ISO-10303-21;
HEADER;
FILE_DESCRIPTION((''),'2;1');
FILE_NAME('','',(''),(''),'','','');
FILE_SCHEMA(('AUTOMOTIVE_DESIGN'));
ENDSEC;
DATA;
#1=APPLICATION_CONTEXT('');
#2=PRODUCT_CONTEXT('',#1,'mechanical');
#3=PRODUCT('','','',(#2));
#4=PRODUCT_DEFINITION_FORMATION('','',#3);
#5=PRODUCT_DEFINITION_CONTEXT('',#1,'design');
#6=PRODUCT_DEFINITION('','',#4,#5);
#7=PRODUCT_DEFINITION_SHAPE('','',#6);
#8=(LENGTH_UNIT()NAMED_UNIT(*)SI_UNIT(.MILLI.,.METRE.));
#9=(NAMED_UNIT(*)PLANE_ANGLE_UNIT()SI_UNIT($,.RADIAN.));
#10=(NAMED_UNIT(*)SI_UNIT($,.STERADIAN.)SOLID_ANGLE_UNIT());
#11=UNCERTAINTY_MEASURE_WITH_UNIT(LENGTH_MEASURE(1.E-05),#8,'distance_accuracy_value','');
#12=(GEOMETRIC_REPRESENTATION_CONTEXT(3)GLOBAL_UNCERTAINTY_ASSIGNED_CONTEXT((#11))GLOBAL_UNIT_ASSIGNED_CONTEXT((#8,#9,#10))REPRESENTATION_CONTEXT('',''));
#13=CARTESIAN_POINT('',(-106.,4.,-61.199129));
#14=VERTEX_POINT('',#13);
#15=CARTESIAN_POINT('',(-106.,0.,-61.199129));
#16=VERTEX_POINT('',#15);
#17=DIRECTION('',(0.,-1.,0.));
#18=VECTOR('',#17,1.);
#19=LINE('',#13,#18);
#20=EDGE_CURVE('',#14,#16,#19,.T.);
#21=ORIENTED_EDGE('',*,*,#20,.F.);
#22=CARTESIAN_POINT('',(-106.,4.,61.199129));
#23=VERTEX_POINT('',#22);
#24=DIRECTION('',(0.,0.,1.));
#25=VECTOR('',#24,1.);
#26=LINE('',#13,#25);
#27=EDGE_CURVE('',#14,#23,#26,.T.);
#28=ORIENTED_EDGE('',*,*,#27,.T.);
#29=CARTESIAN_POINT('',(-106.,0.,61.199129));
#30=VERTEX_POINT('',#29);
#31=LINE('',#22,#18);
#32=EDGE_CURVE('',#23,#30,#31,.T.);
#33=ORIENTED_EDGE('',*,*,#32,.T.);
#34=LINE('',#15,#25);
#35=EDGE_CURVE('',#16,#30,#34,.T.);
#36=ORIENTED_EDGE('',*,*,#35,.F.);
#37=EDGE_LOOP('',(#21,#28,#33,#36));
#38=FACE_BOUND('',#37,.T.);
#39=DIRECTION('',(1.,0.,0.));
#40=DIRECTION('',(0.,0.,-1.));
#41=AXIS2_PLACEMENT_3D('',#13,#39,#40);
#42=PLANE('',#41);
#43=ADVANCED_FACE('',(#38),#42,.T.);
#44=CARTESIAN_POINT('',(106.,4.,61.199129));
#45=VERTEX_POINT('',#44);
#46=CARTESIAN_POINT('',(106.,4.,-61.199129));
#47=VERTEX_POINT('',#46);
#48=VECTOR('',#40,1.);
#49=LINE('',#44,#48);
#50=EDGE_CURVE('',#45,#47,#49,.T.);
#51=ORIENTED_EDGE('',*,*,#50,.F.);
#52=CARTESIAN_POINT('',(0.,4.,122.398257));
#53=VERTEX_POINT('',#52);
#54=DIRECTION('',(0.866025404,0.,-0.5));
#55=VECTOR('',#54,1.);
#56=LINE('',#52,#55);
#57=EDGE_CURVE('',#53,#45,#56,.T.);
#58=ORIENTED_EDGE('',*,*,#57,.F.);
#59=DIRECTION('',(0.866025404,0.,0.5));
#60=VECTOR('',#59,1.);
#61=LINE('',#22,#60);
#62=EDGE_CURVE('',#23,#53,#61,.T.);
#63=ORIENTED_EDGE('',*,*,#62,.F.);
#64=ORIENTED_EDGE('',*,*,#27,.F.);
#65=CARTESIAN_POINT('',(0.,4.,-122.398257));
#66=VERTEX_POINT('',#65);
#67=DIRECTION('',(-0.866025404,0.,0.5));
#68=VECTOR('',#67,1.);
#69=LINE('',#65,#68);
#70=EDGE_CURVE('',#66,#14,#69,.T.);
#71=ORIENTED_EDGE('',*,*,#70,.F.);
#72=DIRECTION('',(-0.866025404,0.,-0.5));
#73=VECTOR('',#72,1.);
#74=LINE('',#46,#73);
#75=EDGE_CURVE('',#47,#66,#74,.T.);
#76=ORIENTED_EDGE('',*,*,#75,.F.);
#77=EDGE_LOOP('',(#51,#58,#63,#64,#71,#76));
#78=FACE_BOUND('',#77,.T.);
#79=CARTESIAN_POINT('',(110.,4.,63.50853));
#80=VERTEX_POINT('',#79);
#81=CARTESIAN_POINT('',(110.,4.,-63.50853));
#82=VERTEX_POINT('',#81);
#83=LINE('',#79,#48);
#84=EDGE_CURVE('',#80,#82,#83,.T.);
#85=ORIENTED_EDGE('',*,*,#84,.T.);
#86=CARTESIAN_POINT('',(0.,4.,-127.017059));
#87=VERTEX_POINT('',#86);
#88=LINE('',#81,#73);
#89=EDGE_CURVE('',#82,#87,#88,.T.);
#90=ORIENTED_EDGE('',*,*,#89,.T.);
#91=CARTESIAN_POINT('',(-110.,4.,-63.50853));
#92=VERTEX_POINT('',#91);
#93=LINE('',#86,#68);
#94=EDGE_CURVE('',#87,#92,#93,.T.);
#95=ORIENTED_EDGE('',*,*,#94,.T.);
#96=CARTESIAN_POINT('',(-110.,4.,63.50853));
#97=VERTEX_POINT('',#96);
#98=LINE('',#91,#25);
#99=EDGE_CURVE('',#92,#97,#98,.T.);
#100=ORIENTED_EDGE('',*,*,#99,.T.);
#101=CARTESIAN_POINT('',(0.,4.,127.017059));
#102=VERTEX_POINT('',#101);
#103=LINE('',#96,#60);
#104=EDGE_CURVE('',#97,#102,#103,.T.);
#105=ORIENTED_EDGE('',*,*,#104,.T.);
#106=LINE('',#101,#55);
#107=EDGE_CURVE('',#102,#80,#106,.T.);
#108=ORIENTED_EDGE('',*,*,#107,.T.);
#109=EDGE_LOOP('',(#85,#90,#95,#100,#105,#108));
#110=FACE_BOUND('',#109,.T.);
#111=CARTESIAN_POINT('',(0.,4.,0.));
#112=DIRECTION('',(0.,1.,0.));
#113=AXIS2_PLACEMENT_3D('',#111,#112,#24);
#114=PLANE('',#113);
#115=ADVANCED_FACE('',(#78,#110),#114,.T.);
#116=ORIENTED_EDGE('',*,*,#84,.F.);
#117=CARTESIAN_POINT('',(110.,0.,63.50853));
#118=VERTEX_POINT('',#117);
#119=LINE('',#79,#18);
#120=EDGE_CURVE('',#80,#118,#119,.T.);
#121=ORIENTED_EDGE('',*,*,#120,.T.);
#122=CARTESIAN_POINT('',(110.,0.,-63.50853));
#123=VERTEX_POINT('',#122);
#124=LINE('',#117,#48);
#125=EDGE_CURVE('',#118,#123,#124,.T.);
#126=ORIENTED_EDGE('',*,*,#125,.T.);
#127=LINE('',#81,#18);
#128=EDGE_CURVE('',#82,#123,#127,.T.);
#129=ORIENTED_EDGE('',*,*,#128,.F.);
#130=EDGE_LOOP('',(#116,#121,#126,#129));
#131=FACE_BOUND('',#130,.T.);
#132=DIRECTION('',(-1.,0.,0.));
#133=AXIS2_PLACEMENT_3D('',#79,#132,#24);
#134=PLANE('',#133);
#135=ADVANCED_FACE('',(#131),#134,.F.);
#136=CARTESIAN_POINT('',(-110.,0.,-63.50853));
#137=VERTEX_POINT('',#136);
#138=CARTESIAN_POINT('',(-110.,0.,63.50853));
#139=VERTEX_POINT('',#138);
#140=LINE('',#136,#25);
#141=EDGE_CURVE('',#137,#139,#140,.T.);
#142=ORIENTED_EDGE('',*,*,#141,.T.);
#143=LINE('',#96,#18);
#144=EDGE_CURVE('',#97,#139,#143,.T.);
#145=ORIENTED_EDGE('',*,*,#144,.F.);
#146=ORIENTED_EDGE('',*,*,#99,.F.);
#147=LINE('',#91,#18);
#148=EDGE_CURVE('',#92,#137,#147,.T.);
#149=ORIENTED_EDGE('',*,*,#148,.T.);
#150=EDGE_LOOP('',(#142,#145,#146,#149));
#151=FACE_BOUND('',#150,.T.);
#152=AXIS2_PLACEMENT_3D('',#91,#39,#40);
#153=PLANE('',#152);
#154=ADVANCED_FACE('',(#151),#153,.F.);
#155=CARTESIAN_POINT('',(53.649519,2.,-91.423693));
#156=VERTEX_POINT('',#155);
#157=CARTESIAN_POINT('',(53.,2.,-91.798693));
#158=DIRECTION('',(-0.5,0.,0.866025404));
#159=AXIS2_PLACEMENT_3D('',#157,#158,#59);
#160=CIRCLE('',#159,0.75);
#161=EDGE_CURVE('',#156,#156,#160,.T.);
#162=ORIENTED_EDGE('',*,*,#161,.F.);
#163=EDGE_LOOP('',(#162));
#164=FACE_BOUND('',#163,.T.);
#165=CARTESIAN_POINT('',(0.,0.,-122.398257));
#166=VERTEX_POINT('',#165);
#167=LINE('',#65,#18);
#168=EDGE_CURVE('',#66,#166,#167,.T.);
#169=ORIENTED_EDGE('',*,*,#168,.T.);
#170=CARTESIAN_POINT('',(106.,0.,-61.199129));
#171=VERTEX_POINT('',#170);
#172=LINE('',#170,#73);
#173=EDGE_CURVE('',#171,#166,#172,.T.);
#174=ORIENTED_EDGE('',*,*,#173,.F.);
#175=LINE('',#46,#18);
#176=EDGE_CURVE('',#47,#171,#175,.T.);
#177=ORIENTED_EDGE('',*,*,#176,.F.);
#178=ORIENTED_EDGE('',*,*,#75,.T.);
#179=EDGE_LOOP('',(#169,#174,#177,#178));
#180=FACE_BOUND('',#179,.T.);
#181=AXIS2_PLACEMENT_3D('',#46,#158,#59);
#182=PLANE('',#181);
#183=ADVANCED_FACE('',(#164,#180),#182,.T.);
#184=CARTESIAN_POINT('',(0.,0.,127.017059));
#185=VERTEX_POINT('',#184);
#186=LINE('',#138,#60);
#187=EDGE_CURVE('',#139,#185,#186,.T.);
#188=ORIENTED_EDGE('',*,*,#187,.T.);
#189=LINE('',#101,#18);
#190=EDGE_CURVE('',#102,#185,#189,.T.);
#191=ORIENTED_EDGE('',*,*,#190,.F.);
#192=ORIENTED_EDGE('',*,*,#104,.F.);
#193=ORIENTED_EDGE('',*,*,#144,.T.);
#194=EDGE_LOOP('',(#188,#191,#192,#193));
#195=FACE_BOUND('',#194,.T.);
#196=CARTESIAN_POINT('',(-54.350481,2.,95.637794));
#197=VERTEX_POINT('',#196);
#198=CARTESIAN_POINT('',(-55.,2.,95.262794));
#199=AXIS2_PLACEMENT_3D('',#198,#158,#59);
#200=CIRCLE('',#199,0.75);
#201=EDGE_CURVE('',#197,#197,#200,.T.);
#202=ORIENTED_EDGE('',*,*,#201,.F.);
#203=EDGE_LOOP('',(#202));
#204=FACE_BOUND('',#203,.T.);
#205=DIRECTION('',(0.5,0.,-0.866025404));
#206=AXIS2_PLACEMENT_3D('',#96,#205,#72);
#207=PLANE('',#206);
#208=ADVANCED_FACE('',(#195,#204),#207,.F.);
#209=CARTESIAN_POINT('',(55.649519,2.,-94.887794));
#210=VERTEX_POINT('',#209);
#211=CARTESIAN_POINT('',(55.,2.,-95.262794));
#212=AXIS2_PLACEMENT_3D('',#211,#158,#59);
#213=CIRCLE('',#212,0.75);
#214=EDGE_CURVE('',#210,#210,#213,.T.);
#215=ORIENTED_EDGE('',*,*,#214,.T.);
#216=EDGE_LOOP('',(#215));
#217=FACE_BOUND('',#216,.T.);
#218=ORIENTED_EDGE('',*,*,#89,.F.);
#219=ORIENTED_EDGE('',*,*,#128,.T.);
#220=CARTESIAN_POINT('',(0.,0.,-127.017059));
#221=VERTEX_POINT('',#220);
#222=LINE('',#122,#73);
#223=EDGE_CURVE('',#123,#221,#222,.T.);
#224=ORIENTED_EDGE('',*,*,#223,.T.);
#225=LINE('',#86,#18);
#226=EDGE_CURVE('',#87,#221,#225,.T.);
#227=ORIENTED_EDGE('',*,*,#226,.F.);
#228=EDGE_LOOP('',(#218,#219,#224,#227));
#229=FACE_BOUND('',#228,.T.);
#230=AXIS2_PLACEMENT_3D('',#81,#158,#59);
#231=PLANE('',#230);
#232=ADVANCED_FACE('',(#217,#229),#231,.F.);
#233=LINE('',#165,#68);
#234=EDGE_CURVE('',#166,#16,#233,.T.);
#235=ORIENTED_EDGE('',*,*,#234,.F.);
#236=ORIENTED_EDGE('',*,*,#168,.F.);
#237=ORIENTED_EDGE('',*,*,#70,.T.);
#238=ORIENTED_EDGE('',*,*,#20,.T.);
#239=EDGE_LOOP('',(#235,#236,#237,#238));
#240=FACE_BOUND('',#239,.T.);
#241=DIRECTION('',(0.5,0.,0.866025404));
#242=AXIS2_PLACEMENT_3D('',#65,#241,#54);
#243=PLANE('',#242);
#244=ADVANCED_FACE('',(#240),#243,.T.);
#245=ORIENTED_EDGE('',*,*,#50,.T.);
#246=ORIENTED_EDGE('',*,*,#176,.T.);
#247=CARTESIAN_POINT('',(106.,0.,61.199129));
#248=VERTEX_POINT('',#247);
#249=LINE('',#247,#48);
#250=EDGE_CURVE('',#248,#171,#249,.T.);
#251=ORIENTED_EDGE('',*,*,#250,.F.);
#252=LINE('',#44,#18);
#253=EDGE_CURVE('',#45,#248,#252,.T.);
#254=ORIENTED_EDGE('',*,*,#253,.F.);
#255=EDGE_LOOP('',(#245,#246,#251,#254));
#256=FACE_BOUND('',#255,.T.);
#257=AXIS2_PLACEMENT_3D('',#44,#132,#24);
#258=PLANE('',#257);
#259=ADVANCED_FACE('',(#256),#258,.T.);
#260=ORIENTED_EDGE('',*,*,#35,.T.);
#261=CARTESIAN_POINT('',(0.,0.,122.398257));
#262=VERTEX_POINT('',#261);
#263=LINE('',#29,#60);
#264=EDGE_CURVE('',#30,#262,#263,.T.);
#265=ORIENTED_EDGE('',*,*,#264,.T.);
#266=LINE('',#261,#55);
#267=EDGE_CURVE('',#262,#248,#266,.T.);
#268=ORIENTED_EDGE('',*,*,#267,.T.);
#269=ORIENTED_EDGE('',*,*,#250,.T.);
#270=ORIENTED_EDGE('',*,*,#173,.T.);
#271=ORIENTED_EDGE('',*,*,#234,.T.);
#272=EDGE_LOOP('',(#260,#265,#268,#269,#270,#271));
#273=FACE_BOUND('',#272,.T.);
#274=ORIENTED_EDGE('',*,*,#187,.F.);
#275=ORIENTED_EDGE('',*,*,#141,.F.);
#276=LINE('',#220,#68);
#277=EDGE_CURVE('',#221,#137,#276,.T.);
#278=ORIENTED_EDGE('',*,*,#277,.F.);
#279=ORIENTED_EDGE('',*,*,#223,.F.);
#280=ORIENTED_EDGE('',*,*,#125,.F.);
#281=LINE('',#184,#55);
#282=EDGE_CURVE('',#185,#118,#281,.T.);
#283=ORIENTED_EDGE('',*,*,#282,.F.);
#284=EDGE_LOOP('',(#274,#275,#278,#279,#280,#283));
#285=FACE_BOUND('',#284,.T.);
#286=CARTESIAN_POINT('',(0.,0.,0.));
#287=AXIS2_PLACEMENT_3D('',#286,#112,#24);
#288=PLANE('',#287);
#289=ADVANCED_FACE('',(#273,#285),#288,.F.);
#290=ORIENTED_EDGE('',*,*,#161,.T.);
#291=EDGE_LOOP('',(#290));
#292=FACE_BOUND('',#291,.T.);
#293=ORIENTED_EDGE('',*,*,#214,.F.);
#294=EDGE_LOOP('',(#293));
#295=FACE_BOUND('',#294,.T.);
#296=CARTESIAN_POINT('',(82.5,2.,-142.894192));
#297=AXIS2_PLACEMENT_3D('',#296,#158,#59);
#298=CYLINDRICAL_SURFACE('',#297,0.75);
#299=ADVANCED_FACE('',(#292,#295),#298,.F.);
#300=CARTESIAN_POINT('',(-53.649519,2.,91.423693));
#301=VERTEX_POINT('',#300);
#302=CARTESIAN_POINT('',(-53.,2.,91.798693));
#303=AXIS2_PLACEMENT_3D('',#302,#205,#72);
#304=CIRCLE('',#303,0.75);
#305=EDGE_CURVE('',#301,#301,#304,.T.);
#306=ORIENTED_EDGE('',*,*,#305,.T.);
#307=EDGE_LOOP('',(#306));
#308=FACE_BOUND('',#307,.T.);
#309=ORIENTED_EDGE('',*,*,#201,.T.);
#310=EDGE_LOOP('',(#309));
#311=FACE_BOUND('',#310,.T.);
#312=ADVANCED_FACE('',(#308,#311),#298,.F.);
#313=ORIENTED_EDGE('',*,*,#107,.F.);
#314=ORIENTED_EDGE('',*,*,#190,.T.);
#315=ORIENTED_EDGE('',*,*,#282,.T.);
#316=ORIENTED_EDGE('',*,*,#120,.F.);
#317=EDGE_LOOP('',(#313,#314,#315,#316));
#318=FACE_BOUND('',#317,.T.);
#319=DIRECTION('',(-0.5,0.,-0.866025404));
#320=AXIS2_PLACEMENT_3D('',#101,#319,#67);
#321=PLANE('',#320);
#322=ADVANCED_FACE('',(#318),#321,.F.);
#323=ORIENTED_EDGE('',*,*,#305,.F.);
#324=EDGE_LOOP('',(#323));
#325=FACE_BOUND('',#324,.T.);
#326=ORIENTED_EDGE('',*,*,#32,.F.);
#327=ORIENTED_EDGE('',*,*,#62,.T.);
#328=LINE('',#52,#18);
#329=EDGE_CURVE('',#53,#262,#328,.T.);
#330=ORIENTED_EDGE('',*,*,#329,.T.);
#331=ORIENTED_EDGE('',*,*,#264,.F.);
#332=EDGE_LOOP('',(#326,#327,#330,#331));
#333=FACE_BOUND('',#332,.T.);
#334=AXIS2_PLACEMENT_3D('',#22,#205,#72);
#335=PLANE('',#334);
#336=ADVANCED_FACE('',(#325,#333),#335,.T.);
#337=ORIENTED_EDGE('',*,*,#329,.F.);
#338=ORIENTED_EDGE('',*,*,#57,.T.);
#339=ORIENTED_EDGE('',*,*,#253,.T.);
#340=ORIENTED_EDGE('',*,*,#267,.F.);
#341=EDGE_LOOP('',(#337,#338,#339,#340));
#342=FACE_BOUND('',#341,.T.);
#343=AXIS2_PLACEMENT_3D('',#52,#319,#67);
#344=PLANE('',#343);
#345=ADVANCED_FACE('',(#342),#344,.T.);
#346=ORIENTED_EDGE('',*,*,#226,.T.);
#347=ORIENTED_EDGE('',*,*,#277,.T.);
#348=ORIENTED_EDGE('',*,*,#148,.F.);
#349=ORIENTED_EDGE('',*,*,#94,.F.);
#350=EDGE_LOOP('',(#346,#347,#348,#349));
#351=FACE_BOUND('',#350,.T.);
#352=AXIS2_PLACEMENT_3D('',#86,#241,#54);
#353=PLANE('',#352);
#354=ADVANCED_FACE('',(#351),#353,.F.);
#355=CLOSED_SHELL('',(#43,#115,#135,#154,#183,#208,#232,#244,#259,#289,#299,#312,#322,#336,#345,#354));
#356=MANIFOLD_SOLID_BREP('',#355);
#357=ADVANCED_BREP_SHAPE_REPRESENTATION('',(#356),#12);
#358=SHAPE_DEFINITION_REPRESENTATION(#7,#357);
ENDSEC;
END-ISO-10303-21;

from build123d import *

# Parameters (mm, degrees)
RESSALTO_EXTRUS_O1_DEPTH = 4
ESBO_O2_R                = 0.75
CORTE_EXTRUS_O1_DEPTH    = 277.856160006


with BuildPart() as part:
    # Esboço1 → Ressalto-extrusão1 (new body)
    with BuildSketch(Plane(origin=(0, 0, 0), x_dir=(1, 0, 0), z_dir=(0, 1, 0))):
        Polygon((110, -63.508529611), (110, 63.508529611), (0, 127.017059222), (-110, 63.508529611), (-110, -63.508529611), (0, -127.017059222), align=None)
        Polygon((106, 61.199128534), (0, 122.398257068), (-106, 61.199128534), (-106, -61.199128534), (0, -122.398257068), (106, -61.199128534), align=None, mode=Mode.SUBTRACT)
    extrude(amount=RESSALTO_EXTRUS_O1_DEPTH)

    # Esboço2 → Corte-extrusão1 (cut, through all)
    with BuildSketch(Plane(origin=(-55, 0, 95.262794416), x_dir=(0.8660254037844387, 0, 0.49999999999999994), z_dir=(-0.4999999999999999, 0, 0.8660254037844386))):
        with Locations((0, 2)):
            Circle(ESBO_O2_R)
    extrude(amount=-CORTE_EXTRUS_O1_DEPTH, mode=Mode.SUBTRACT)


solid = part.part
